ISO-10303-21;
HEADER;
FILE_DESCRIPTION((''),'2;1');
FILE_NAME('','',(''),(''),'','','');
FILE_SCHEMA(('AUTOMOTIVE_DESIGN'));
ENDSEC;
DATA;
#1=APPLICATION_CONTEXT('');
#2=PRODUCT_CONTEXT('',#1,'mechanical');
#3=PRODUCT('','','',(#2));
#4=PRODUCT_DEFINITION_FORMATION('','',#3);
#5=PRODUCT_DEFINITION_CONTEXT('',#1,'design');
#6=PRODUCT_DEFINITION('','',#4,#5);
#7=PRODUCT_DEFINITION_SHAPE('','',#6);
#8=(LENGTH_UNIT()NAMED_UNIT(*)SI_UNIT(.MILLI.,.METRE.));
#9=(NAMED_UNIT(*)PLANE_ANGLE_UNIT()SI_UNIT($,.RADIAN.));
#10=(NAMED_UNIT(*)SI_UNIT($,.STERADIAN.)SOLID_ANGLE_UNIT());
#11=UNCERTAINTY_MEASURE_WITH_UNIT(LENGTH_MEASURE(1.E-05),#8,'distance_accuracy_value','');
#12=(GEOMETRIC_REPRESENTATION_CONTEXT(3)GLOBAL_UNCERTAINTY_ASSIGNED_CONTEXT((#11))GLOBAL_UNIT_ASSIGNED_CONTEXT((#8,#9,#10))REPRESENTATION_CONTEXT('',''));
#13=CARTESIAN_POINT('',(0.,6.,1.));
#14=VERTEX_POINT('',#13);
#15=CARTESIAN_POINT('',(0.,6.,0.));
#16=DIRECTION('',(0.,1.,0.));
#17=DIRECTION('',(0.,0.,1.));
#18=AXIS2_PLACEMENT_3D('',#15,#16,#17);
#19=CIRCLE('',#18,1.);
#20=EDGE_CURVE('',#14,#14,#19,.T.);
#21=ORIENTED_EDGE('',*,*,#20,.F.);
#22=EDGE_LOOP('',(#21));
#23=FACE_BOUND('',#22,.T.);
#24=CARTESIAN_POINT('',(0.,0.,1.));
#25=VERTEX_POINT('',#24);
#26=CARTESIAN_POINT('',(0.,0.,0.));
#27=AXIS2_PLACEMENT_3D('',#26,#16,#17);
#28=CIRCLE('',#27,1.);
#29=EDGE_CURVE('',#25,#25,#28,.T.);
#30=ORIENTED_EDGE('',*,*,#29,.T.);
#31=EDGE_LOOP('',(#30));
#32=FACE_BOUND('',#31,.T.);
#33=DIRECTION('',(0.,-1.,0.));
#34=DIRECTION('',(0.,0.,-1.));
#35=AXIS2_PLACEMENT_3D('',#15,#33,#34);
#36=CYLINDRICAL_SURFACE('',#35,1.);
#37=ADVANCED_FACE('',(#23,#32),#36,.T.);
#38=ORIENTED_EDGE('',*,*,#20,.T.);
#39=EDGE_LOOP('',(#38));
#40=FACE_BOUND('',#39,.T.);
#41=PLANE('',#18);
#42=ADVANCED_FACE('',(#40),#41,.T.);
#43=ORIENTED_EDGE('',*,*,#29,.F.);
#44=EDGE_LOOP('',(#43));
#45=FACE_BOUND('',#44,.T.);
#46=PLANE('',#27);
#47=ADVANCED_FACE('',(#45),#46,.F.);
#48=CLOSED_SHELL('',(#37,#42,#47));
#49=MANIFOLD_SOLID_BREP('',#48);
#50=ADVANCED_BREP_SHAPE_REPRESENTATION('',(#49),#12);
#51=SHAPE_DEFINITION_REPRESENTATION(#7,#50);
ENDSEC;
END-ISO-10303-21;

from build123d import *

# Parameters (mm, degrees)
SKIZZE1_R                       = 1
AUFSATZ_LINEAR_AUSTRAGEN1_DEPTH = 6


with BuildPart() as part:
    # Skizze1 → Aufsatz-Linear austragen1 (new body)
    with BuildSketch(Plane(origin=(0, 0, 0), x_dir=(1, 0, 0), z_dir=(0, 1, 0))):
        Circle(SKIZZE1_R)
    extrude(amount=AUFSATZ_LINEAR_AUSTRAGEN1_DEPTH)


solid = part.part
